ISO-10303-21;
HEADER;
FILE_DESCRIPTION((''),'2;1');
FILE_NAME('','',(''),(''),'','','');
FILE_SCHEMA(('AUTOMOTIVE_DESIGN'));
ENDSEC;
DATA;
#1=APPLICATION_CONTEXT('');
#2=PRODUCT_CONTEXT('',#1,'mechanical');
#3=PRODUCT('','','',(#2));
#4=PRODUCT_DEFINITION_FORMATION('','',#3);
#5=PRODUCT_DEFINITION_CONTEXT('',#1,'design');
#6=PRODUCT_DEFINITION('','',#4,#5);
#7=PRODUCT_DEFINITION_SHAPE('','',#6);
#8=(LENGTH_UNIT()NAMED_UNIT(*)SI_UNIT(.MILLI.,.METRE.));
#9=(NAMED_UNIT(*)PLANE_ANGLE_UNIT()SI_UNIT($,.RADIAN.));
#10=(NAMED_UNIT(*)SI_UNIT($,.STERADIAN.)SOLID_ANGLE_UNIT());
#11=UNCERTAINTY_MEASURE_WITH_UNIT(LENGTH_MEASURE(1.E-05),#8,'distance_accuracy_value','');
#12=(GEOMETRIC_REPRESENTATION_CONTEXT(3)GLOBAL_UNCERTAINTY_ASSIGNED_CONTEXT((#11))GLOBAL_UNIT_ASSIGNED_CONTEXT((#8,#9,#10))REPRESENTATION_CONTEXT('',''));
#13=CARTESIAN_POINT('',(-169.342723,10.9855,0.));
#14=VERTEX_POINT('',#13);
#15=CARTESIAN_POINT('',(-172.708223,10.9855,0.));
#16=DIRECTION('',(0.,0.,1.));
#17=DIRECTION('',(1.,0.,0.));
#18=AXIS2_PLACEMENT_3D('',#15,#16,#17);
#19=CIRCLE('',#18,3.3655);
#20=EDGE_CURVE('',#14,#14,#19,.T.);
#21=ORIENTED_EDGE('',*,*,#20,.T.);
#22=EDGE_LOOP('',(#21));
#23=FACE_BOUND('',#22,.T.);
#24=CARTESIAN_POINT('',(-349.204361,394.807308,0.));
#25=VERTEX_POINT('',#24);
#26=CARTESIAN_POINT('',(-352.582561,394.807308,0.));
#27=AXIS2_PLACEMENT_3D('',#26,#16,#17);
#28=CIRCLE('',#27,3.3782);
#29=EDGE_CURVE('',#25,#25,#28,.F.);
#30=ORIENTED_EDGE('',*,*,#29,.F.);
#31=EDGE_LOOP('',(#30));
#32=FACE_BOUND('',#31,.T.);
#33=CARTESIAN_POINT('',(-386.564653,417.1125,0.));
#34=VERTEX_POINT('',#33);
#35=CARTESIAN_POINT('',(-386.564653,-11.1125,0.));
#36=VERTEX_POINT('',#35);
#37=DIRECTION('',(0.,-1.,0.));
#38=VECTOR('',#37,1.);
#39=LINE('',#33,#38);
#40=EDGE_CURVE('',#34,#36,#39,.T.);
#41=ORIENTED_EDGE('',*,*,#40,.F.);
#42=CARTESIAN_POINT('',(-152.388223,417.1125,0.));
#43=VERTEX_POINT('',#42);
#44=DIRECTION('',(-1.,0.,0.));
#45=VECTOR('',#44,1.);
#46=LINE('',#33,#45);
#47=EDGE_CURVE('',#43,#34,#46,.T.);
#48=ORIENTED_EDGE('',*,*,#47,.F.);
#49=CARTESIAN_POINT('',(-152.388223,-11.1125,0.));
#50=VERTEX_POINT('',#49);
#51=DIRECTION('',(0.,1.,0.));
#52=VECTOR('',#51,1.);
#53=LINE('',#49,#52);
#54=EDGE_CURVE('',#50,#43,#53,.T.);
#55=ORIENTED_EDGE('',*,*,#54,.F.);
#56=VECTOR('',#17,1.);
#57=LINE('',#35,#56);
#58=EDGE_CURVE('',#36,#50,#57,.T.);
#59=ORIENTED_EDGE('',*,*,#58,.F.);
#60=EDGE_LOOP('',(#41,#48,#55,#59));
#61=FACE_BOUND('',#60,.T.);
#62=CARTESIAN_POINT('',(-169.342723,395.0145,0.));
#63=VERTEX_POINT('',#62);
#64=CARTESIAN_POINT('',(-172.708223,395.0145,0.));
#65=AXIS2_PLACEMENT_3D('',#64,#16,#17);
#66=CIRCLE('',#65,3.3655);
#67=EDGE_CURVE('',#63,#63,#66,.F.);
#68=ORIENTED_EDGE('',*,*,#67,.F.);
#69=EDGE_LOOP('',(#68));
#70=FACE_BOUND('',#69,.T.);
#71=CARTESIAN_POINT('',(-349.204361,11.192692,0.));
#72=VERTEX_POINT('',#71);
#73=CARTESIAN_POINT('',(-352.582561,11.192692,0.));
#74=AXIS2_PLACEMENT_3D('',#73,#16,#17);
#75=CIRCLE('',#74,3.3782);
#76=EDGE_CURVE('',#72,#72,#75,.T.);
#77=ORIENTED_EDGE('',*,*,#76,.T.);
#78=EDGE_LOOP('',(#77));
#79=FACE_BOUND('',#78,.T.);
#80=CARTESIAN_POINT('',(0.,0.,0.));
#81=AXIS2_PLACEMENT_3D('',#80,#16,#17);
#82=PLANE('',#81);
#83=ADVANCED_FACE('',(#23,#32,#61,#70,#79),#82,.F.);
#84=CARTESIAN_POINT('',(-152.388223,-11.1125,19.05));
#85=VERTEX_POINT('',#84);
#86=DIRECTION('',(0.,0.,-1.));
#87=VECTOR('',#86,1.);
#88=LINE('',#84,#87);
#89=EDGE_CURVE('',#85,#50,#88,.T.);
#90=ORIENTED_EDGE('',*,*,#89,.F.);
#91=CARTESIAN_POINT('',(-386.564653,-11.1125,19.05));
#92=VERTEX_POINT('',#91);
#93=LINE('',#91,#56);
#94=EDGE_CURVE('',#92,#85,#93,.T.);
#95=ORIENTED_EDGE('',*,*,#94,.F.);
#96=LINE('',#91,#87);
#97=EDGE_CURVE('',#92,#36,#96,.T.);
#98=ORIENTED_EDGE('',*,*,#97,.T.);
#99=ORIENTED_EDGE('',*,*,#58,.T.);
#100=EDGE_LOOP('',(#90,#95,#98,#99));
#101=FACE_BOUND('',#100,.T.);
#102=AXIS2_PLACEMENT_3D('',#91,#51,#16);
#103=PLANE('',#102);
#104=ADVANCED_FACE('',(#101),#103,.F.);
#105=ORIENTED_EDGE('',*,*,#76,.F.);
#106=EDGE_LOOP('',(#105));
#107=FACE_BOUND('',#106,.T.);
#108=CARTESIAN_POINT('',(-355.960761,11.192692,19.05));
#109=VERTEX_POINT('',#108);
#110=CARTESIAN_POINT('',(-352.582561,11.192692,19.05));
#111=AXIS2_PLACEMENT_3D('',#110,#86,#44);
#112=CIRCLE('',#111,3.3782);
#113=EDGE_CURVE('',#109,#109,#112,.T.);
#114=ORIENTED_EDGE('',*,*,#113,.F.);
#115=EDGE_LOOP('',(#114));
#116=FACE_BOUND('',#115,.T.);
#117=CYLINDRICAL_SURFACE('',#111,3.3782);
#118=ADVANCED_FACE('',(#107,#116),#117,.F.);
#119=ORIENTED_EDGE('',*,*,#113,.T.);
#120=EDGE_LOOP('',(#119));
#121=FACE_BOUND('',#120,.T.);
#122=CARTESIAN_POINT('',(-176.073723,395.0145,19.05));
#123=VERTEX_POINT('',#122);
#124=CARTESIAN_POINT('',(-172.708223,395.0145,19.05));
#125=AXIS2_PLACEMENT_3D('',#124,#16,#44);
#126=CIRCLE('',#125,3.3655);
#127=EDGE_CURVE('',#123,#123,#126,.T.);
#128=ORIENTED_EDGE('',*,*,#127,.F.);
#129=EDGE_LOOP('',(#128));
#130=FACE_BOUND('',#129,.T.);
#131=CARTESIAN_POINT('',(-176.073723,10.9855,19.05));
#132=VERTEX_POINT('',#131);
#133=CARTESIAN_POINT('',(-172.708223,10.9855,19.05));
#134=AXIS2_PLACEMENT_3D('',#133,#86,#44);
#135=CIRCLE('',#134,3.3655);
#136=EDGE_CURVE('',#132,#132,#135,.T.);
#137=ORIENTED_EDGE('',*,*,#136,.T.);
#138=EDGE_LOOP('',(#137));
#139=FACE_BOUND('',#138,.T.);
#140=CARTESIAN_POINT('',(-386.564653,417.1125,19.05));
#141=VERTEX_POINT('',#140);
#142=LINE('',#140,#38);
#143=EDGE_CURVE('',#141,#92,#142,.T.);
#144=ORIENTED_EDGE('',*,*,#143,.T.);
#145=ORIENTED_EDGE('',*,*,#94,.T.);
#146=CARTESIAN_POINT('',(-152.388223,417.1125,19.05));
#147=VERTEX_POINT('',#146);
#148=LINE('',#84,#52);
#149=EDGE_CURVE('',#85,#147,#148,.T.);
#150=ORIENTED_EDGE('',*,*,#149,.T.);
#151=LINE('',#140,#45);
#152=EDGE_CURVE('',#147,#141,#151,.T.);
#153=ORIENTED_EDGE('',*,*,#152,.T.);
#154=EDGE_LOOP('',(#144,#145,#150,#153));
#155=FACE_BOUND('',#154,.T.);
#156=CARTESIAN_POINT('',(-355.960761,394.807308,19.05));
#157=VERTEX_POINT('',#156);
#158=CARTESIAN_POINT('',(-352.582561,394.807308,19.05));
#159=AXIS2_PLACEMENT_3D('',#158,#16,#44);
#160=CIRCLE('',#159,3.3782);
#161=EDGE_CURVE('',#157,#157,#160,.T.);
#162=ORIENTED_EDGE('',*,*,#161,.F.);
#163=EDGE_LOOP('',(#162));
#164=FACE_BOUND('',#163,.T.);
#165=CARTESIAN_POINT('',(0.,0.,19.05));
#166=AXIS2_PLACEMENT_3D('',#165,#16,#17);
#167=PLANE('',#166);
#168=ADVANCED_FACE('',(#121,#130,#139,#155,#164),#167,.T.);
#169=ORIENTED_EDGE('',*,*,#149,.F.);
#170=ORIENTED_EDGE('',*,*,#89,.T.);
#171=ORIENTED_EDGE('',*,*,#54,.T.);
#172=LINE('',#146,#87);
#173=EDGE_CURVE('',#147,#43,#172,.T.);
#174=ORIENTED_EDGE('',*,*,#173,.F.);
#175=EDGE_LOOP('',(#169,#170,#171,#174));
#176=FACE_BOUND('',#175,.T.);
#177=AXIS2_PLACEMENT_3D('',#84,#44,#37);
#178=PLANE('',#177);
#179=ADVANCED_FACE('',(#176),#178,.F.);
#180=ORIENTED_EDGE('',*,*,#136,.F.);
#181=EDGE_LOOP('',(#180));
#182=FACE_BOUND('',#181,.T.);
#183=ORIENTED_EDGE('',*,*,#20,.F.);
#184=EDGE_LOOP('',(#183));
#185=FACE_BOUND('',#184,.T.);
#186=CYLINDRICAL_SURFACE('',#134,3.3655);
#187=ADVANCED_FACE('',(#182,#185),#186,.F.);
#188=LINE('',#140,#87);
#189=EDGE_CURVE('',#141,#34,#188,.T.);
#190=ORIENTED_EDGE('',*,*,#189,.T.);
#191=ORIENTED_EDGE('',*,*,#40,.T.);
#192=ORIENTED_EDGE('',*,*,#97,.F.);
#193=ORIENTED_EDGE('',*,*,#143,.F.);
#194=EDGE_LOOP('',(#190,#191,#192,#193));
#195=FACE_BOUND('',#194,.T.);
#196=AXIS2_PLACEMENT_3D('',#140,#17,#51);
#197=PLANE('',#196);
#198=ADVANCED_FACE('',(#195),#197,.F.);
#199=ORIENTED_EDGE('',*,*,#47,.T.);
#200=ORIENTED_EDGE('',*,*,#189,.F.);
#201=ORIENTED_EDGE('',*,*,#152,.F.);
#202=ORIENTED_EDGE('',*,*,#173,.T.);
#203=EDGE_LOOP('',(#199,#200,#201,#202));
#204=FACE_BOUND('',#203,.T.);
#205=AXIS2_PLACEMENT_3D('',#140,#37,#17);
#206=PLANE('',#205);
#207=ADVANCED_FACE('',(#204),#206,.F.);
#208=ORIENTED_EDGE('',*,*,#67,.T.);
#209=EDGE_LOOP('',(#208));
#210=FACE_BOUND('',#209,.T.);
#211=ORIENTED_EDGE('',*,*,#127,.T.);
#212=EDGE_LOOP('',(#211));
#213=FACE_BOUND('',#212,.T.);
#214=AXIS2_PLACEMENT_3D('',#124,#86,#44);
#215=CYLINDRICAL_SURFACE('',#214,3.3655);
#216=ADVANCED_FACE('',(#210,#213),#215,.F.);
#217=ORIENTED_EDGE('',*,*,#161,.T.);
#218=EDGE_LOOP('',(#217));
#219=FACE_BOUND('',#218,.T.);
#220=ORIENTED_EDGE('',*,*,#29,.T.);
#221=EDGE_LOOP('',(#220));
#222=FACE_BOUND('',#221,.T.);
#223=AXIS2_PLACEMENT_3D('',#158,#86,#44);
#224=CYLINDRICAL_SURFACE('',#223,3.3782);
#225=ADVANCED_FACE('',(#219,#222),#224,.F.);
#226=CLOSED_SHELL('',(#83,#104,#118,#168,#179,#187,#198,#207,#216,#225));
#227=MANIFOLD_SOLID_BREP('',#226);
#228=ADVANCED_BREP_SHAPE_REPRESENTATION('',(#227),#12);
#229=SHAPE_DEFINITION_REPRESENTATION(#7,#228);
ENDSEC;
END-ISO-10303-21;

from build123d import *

# Parameters (mm, degrees)
SKETCH1_W           = 234.176429215
SKETCH1_H           = 428.225
BOSS_EXTRUDE1_DEPTH = 19.05
SKETCH4_R           = 3.3655
CUT_EXTRUDE2_DEPTH  = 275.417913121
SKETCH5_R           = 3.3782
CUT_EXTRUDE3_DEPTH  = 275.68979061


with BuildPart() as part:
    # Sketch1 → Boss-Extrude1 (new body)
    with BuildSketch(Plane.XY):
        with Locations((-269.476437964, 203)):
            Rectangle(SKETCH1_W, SKETCH1_H)
    extrude(amount=BOSS_EXTRUDE1_DEPTH)

    # Sketch4 → Cut-Extrude2 (cut, through all)
    with BuildSketch(Plane(origin=(-216.206452416, 203, -1.905), x_dir=(0, -1, 0), z_dir=(0, 0, -1))):
        with Locations(Location((192.0145, -43.49822906, 0), (0, 0, 90))):
            Circle(SKETCH4_R)
    cut_extrude2 = extrude(amount=-CUT_EXTRUDE2_DEPTH, mode=Mode.SUBTRACT)

    # Sketch5 → Cut-Extrude3 (cut, through all)
    with BuildSketch(Plane(origin=(-216.206452416, 203, -5.207), x_dir=(0, -1, 0), z_dir=(0, 0, -1))):
        with Locations(Location((191.807308052, 136.376108523, 0), (0, 0, 90))):
            Circle(SKETCH5_R)
    cut_extrude3 = extrude(amount=-CUT_EXTRUDE3_DEPTH, mode=Mode.SUBTRACT)

    # Mirror1: Cut-Extrude2, Cut-Extrude3 across plane
    add(cut_extrude2.mirror(Plane.ZX.offset(203)), mode=Mode.SUBTRACT)
    add(cut_extrude3.mirror(Plane.ZX.offset(203)), mode=Mode.SUBTRACT)


solid = part.part
